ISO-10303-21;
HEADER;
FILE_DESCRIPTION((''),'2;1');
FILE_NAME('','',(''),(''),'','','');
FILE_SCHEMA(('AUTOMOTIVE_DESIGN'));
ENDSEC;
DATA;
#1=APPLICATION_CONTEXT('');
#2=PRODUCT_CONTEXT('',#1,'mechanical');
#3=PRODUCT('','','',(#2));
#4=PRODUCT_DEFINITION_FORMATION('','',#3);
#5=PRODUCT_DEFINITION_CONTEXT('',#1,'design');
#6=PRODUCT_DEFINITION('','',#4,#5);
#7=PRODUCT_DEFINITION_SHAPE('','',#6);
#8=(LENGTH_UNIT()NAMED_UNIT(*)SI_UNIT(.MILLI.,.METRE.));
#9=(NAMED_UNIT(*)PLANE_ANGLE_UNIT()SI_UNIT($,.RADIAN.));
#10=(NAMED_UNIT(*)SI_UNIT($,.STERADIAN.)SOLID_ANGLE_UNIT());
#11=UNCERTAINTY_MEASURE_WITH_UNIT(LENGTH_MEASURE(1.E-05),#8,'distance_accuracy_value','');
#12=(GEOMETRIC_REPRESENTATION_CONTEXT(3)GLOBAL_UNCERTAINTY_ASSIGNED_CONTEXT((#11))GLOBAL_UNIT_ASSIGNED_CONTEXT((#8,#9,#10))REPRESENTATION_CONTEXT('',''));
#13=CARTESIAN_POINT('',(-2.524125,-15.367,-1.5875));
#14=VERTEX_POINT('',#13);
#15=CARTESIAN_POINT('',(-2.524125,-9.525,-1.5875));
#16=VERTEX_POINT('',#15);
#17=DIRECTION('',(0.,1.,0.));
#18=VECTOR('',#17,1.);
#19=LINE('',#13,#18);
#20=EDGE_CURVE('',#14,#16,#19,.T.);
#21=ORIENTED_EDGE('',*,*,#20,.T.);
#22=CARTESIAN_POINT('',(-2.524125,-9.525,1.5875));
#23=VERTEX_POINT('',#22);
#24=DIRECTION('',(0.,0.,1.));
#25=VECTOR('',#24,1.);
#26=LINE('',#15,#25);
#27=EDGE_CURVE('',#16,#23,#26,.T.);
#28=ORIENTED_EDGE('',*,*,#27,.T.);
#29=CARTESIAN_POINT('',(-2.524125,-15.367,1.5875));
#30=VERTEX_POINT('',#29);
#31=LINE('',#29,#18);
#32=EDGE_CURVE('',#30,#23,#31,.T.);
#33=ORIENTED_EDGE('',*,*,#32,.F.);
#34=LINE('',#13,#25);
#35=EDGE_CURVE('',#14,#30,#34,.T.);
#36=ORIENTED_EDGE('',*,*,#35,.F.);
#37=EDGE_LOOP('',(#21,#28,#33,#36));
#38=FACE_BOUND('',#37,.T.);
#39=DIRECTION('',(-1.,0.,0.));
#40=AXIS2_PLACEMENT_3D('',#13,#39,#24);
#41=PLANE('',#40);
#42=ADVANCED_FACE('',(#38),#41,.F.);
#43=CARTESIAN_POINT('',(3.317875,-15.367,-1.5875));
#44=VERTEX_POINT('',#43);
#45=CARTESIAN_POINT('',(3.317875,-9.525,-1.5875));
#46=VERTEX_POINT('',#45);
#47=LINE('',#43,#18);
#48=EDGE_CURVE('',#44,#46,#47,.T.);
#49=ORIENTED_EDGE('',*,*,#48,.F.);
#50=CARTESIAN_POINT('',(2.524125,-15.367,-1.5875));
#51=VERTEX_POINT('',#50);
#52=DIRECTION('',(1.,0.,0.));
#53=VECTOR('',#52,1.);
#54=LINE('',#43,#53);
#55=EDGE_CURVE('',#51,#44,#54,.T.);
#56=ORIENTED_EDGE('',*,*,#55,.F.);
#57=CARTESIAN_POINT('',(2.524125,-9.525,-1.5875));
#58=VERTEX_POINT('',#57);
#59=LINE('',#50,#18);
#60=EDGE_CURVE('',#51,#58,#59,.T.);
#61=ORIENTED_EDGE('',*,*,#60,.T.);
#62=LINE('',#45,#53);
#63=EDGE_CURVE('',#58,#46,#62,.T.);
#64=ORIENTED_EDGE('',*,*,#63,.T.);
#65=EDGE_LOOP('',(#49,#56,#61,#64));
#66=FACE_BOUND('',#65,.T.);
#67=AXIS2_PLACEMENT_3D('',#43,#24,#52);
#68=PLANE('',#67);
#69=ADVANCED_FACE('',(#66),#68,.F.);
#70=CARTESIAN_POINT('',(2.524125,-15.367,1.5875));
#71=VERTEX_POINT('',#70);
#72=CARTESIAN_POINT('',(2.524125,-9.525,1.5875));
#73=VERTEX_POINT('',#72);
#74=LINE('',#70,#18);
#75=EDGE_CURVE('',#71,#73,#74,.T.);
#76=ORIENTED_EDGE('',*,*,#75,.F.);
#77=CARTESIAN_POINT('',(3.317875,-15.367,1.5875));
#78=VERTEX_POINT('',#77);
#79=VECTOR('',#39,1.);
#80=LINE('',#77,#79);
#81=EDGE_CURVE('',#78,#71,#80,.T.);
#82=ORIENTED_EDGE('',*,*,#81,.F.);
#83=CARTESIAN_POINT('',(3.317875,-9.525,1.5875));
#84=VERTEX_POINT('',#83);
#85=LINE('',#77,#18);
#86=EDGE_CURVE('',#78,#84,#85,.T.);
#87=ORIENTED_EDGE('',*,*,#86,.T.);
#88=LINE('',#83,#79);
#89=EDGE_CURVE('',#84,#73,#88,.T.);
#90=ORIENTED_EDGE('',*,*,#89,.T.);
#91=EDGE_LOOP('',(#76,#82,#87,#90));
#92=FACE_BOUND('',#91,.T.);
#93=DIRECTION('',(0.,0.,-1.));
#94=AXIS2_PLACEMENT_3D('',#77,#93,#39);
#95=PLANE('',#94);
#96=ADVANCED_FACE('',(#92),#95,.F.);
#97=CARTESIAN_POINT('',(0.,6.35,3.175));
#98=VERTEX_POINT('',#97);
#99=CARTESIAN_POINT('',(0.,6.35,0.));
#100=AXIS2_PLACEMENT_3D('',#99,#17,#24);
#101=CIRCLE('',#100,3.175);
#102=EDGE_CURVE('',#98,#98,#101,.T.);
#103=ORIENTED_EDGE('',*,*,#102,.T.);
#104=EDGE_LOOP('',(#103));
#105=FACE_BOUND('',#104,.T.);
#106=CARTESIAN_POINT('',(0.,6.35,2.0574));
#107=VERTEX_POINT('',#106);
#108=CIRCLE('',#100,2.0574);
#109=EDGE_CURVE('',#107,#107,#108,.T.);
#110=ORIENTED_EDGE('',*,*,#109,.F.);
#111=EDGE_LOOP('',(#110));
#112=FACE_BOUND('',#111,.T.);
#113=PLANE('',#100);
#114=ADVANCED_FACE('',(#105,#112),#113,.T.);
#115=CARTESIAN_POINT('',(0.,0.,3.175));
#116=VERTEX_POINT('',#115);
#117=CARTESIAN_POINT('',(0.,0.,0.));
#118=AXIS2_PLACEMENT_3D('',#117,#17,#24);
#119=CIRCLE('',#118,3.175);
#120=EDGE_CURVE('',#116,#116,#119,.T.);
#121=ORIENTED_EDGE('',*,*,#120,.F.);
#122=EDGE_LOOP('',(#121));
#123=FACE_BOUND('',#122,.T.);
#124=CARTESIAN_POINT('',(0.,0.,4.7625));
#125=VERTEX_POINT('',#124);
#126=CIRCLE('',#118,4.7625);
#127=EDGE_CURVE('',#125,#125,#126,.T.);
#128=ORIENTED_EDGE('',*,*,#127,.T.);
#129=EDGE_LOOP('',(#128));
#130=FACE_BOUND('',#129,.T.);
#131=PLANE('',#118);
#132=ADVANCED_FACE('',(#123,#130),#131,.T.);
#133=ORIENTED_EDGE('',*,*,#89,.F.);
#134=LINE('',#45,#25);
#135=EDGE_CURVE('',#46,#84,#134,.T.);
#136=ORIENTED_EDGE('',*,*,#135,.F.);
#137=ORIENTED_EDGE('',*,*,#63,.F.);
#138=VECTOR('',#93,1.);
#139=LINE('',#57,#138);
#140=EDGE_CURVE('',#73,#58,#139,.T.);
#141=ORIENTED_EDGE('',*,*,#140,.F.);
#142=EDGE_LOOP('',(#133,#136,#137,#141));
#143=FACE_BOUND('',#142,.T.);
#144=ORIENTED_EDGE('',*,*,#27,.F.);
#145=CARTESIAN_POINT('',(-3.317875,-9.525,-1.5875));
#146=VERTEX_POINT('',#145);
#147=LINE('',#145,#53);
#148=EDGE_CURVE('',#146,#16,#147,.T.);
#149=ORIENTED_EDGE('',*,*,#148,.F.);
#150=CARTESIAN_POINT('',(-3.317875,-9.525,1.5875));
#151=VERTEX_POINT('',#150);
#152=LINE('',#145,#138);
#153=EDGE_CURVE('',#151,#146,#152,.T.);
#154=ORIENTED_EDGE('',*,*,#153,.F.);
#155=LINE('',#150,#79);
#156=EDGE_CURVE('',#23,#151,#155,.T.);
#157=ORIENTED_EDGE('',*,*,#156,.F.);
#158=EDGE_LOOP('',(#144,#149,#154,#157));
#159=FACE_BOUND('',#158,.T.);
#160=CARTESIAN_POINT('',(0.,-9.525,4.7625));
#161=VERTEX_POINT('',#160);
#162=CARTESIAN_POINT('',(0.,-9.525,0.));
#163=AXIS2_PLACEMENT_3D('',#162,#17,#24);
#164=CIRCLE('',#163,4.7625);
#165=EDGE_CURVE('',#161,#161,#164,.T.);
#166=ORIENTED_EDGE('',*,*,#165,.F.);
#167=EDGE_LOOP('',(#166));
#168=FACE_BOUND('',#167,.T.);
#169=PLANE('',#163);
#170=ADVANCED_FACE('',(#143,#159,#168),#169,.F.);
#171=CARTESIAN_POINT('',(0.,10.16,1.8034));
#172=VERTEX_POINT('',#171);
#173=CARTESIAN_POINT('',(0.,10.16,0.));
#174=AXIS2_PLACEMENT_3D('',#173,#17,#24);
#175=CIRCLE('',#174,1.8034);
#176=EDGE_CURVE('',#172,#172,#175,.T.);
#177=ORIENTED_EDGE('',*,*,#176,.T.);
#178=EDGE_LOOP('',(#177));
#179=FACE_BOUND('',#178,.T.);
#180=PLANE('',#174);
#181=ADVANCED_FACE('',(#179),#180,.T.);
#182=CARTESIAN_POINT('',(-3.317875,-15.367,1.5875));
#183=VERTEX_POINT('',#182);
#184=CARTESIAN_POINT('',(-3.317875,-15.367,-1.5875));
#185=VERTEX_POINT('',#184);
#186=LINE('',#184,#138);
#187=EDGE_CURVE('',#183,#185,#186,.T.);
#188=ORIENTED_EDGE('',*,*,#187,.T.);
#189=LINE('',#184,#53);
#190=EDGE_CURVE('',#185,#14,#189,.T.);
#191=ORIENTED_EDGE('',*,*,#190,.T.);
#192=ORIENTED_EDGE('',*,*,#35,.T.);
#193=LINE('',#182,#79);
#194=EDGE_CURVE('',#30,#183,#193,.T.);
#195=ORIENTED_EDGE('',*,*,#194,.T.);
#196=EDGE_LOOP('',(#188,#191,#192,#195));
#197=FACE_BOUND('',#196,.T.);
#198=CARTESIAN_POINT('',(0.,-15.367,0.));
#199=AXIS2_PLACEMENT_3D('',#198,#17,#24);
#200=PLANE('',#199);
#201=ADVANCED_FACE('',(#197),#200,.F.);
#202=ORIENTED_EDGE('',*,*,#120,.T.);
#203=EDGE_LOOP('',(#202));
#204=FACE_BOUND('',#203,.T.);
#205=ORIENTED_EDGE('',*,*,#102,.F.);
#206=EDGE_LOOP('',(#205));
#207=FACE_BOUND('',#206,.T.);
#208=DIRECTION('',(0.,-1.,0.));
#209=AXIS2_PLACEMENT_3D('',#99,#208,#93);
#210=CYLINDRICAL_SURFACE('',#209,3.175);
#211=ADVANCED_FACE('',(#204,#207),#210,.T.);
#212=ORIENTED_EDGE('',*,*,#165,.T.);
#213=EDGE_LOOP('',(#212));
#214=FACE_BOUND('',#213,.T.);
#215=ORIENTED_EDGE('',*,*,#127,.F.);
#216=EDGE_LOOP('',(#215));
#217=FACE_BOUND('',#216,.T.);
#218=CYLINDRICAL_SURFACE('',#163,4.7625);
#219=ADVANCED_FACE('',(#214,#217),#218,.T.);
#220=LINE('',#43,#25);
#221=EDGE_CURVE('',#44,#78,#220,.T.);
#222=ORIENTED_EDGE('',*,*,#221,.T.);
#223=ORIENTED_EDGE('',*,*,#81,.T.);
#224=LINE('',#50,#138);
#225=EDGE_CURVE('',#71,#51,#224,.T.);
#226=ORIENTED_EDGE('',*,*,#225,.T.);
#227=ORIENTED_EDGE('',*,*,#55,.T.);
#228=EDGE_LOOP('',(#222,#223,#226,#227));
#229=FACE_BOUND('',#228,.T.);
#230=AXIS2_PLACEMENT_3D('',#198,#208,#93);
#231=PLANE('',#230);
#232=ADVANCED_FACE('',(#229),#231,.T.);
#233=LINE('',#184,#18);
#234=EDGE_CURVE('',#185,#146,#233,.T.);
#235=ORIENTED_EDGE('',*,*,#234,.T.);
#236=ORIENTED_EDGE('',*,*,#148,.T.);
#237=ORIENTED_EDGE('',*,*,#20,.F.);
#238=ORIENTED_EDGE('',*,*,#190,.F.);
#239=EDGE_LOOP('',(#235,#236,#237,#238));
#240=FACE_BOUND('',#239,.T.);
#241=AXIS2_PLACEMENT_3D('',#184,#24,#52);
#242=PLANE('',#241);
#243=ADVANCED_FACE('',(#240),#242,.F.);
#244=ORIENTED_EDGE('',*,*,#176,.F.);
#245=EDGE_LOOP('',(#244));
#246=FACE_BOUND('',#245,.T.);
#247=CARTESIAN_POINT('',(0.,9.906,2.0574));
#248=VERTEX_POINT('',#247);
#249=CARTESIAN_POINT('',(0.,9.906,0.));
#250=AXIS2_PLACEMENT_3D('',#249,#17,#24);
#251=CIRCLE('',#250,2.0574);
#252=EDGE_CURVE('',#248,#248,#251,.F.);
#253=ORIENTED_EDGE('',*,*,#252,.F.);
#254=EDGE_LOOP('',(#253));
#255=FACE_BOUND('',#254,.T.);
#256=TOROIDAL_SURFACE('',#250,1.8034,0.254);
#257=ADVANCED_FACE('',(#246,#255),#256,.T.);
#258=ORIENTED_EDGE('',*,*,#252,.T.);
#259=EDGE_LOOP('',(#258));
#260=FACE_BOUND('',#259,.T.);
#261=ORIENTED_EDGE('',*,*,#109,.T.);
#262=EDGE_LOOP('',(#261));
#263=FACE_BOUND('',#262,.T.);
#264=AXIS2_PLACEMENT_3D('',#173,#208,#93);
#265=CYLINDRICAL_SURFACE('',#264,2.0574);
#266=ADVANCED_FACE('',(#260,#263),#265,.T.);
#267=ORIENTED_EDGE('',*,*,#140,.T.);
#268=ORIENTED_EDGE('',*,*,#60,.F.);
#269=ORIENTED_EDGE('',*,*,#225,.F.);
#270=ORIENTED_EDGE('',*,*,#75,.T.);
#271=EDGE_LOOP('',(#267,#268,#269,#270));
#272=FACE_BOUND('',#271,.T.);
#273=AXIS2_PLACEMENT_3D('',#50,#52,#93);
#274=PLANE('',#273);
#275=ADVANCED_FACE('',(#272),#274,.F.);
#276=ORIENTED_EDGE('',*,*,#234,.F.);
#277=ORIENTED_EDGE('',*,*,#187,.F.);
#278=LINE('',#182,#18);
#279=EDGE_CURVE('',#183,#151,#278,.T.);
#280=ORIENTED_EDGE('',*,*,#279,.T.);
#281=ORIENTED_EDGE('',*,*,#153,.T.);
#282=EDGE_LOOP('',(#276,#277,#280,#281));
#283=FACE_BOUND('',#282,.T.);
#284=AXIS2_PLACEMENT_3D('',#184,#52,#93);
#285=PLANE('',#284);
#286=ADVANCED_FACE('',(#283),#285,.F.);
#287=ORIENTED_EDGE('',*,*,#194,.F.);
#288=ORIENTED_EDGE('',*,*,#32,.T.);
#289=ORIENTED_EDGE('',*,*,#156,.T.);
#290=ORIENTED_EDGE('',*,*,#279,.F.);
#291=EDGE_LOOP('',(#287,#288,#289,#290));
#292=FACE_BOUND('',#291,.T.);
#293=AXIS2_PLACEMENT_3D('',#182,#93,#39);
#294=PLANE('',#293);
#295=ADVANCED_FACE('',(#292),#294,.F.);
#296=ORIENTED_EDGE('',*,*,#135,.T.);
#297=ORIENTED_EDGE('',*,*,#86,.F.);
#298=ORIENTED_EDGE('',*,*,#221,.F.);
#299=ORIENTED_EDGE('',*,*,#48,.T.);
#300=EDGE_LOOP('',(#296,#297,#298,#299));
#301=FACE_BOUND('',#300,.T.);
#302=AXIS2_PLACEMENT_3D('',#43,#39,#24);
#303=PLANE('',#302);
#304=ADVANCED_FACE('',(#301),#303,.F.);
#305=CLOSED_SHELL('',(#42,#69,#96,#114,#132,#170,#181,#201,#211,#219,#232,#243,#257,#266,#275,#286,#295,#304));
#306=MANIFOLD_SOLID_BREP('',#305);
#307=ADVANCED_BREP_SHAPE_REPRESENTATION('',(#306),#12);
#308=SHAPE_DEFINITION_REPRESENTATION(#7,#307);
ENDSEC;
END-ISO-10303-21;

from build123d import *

# Parameters (mm, degrees)
SKETCH1_R           = 4.7625
BOSS_EXTRUDE1_DEPTH = 9.525
SKETCH2_R           = 3.175
BOSS_EXTRUDE2_DEPTH = 6.35
SKETCH3_R           = 2.0574
BOSS_EXTRUDE3_DEPTH = 3.81
SKETCH4_W           = 0.79375
SKETCH4_H           = 3.175
BOSS_EXTRUDE4_DEPTH = 5.842
FILLET1_R           = 0.254


with BuildPart() as part:
    # Sketch1 → Boss-Extrude1 (new body)
    with BuildSketch(Plane(origin=(0, 0, 0), x_dir=(1, 0, 0), z_dir=(0, 1, 0))):
        Circle(SKETCH1_R)
    extrude(amount=-BOSS_EXTRUDE1_DEPTH)

    # Sketch2 → Boss-Extrude2 (add)
    with BuildSketch(Plane(origin=(0, 0, 0), x_dir=(1, 0, 0), z_dir=(0, 1, 0))):
        Circle(SKETCH2_R)
    extrude(amount=BOSS_EXTRUDE2_DEPTH)

    # Sketch3 → Boss-Extrude3 (add)
    with BuildSketch(Plane(origin=(0, 6.35, 0), x_dir=(1, 0, 0), z_dir=(0, 1, 0))):
        Circle(SKETCH3_R)
    extrude(amount=BOSS_EXTRUDE3_DEPTH)

    # Sketch4 → Boss-Extrude4 (add)
    with BuildSketch(Plane.XZ.offset(9.525)):
        with Locations((2.921, 0)):
            Rectangle(SKETCH4_W, SKETCH4_H)
        with Locations((-2.921, 0)):
            Rectangle(SKETCH4_W, SKETCH4_H)
    extrude(amount=BOSS_EXTRUDE4_DEPTH)

    # Fillet1
    fillet1_edges = [part.edges().sort_by_distance(p)[0] for p in [
        (-2.0574, 10.16, 0),
    ]]
    fillet(fillet1_edges, radius=FILLET1_R)


solid = part.part
